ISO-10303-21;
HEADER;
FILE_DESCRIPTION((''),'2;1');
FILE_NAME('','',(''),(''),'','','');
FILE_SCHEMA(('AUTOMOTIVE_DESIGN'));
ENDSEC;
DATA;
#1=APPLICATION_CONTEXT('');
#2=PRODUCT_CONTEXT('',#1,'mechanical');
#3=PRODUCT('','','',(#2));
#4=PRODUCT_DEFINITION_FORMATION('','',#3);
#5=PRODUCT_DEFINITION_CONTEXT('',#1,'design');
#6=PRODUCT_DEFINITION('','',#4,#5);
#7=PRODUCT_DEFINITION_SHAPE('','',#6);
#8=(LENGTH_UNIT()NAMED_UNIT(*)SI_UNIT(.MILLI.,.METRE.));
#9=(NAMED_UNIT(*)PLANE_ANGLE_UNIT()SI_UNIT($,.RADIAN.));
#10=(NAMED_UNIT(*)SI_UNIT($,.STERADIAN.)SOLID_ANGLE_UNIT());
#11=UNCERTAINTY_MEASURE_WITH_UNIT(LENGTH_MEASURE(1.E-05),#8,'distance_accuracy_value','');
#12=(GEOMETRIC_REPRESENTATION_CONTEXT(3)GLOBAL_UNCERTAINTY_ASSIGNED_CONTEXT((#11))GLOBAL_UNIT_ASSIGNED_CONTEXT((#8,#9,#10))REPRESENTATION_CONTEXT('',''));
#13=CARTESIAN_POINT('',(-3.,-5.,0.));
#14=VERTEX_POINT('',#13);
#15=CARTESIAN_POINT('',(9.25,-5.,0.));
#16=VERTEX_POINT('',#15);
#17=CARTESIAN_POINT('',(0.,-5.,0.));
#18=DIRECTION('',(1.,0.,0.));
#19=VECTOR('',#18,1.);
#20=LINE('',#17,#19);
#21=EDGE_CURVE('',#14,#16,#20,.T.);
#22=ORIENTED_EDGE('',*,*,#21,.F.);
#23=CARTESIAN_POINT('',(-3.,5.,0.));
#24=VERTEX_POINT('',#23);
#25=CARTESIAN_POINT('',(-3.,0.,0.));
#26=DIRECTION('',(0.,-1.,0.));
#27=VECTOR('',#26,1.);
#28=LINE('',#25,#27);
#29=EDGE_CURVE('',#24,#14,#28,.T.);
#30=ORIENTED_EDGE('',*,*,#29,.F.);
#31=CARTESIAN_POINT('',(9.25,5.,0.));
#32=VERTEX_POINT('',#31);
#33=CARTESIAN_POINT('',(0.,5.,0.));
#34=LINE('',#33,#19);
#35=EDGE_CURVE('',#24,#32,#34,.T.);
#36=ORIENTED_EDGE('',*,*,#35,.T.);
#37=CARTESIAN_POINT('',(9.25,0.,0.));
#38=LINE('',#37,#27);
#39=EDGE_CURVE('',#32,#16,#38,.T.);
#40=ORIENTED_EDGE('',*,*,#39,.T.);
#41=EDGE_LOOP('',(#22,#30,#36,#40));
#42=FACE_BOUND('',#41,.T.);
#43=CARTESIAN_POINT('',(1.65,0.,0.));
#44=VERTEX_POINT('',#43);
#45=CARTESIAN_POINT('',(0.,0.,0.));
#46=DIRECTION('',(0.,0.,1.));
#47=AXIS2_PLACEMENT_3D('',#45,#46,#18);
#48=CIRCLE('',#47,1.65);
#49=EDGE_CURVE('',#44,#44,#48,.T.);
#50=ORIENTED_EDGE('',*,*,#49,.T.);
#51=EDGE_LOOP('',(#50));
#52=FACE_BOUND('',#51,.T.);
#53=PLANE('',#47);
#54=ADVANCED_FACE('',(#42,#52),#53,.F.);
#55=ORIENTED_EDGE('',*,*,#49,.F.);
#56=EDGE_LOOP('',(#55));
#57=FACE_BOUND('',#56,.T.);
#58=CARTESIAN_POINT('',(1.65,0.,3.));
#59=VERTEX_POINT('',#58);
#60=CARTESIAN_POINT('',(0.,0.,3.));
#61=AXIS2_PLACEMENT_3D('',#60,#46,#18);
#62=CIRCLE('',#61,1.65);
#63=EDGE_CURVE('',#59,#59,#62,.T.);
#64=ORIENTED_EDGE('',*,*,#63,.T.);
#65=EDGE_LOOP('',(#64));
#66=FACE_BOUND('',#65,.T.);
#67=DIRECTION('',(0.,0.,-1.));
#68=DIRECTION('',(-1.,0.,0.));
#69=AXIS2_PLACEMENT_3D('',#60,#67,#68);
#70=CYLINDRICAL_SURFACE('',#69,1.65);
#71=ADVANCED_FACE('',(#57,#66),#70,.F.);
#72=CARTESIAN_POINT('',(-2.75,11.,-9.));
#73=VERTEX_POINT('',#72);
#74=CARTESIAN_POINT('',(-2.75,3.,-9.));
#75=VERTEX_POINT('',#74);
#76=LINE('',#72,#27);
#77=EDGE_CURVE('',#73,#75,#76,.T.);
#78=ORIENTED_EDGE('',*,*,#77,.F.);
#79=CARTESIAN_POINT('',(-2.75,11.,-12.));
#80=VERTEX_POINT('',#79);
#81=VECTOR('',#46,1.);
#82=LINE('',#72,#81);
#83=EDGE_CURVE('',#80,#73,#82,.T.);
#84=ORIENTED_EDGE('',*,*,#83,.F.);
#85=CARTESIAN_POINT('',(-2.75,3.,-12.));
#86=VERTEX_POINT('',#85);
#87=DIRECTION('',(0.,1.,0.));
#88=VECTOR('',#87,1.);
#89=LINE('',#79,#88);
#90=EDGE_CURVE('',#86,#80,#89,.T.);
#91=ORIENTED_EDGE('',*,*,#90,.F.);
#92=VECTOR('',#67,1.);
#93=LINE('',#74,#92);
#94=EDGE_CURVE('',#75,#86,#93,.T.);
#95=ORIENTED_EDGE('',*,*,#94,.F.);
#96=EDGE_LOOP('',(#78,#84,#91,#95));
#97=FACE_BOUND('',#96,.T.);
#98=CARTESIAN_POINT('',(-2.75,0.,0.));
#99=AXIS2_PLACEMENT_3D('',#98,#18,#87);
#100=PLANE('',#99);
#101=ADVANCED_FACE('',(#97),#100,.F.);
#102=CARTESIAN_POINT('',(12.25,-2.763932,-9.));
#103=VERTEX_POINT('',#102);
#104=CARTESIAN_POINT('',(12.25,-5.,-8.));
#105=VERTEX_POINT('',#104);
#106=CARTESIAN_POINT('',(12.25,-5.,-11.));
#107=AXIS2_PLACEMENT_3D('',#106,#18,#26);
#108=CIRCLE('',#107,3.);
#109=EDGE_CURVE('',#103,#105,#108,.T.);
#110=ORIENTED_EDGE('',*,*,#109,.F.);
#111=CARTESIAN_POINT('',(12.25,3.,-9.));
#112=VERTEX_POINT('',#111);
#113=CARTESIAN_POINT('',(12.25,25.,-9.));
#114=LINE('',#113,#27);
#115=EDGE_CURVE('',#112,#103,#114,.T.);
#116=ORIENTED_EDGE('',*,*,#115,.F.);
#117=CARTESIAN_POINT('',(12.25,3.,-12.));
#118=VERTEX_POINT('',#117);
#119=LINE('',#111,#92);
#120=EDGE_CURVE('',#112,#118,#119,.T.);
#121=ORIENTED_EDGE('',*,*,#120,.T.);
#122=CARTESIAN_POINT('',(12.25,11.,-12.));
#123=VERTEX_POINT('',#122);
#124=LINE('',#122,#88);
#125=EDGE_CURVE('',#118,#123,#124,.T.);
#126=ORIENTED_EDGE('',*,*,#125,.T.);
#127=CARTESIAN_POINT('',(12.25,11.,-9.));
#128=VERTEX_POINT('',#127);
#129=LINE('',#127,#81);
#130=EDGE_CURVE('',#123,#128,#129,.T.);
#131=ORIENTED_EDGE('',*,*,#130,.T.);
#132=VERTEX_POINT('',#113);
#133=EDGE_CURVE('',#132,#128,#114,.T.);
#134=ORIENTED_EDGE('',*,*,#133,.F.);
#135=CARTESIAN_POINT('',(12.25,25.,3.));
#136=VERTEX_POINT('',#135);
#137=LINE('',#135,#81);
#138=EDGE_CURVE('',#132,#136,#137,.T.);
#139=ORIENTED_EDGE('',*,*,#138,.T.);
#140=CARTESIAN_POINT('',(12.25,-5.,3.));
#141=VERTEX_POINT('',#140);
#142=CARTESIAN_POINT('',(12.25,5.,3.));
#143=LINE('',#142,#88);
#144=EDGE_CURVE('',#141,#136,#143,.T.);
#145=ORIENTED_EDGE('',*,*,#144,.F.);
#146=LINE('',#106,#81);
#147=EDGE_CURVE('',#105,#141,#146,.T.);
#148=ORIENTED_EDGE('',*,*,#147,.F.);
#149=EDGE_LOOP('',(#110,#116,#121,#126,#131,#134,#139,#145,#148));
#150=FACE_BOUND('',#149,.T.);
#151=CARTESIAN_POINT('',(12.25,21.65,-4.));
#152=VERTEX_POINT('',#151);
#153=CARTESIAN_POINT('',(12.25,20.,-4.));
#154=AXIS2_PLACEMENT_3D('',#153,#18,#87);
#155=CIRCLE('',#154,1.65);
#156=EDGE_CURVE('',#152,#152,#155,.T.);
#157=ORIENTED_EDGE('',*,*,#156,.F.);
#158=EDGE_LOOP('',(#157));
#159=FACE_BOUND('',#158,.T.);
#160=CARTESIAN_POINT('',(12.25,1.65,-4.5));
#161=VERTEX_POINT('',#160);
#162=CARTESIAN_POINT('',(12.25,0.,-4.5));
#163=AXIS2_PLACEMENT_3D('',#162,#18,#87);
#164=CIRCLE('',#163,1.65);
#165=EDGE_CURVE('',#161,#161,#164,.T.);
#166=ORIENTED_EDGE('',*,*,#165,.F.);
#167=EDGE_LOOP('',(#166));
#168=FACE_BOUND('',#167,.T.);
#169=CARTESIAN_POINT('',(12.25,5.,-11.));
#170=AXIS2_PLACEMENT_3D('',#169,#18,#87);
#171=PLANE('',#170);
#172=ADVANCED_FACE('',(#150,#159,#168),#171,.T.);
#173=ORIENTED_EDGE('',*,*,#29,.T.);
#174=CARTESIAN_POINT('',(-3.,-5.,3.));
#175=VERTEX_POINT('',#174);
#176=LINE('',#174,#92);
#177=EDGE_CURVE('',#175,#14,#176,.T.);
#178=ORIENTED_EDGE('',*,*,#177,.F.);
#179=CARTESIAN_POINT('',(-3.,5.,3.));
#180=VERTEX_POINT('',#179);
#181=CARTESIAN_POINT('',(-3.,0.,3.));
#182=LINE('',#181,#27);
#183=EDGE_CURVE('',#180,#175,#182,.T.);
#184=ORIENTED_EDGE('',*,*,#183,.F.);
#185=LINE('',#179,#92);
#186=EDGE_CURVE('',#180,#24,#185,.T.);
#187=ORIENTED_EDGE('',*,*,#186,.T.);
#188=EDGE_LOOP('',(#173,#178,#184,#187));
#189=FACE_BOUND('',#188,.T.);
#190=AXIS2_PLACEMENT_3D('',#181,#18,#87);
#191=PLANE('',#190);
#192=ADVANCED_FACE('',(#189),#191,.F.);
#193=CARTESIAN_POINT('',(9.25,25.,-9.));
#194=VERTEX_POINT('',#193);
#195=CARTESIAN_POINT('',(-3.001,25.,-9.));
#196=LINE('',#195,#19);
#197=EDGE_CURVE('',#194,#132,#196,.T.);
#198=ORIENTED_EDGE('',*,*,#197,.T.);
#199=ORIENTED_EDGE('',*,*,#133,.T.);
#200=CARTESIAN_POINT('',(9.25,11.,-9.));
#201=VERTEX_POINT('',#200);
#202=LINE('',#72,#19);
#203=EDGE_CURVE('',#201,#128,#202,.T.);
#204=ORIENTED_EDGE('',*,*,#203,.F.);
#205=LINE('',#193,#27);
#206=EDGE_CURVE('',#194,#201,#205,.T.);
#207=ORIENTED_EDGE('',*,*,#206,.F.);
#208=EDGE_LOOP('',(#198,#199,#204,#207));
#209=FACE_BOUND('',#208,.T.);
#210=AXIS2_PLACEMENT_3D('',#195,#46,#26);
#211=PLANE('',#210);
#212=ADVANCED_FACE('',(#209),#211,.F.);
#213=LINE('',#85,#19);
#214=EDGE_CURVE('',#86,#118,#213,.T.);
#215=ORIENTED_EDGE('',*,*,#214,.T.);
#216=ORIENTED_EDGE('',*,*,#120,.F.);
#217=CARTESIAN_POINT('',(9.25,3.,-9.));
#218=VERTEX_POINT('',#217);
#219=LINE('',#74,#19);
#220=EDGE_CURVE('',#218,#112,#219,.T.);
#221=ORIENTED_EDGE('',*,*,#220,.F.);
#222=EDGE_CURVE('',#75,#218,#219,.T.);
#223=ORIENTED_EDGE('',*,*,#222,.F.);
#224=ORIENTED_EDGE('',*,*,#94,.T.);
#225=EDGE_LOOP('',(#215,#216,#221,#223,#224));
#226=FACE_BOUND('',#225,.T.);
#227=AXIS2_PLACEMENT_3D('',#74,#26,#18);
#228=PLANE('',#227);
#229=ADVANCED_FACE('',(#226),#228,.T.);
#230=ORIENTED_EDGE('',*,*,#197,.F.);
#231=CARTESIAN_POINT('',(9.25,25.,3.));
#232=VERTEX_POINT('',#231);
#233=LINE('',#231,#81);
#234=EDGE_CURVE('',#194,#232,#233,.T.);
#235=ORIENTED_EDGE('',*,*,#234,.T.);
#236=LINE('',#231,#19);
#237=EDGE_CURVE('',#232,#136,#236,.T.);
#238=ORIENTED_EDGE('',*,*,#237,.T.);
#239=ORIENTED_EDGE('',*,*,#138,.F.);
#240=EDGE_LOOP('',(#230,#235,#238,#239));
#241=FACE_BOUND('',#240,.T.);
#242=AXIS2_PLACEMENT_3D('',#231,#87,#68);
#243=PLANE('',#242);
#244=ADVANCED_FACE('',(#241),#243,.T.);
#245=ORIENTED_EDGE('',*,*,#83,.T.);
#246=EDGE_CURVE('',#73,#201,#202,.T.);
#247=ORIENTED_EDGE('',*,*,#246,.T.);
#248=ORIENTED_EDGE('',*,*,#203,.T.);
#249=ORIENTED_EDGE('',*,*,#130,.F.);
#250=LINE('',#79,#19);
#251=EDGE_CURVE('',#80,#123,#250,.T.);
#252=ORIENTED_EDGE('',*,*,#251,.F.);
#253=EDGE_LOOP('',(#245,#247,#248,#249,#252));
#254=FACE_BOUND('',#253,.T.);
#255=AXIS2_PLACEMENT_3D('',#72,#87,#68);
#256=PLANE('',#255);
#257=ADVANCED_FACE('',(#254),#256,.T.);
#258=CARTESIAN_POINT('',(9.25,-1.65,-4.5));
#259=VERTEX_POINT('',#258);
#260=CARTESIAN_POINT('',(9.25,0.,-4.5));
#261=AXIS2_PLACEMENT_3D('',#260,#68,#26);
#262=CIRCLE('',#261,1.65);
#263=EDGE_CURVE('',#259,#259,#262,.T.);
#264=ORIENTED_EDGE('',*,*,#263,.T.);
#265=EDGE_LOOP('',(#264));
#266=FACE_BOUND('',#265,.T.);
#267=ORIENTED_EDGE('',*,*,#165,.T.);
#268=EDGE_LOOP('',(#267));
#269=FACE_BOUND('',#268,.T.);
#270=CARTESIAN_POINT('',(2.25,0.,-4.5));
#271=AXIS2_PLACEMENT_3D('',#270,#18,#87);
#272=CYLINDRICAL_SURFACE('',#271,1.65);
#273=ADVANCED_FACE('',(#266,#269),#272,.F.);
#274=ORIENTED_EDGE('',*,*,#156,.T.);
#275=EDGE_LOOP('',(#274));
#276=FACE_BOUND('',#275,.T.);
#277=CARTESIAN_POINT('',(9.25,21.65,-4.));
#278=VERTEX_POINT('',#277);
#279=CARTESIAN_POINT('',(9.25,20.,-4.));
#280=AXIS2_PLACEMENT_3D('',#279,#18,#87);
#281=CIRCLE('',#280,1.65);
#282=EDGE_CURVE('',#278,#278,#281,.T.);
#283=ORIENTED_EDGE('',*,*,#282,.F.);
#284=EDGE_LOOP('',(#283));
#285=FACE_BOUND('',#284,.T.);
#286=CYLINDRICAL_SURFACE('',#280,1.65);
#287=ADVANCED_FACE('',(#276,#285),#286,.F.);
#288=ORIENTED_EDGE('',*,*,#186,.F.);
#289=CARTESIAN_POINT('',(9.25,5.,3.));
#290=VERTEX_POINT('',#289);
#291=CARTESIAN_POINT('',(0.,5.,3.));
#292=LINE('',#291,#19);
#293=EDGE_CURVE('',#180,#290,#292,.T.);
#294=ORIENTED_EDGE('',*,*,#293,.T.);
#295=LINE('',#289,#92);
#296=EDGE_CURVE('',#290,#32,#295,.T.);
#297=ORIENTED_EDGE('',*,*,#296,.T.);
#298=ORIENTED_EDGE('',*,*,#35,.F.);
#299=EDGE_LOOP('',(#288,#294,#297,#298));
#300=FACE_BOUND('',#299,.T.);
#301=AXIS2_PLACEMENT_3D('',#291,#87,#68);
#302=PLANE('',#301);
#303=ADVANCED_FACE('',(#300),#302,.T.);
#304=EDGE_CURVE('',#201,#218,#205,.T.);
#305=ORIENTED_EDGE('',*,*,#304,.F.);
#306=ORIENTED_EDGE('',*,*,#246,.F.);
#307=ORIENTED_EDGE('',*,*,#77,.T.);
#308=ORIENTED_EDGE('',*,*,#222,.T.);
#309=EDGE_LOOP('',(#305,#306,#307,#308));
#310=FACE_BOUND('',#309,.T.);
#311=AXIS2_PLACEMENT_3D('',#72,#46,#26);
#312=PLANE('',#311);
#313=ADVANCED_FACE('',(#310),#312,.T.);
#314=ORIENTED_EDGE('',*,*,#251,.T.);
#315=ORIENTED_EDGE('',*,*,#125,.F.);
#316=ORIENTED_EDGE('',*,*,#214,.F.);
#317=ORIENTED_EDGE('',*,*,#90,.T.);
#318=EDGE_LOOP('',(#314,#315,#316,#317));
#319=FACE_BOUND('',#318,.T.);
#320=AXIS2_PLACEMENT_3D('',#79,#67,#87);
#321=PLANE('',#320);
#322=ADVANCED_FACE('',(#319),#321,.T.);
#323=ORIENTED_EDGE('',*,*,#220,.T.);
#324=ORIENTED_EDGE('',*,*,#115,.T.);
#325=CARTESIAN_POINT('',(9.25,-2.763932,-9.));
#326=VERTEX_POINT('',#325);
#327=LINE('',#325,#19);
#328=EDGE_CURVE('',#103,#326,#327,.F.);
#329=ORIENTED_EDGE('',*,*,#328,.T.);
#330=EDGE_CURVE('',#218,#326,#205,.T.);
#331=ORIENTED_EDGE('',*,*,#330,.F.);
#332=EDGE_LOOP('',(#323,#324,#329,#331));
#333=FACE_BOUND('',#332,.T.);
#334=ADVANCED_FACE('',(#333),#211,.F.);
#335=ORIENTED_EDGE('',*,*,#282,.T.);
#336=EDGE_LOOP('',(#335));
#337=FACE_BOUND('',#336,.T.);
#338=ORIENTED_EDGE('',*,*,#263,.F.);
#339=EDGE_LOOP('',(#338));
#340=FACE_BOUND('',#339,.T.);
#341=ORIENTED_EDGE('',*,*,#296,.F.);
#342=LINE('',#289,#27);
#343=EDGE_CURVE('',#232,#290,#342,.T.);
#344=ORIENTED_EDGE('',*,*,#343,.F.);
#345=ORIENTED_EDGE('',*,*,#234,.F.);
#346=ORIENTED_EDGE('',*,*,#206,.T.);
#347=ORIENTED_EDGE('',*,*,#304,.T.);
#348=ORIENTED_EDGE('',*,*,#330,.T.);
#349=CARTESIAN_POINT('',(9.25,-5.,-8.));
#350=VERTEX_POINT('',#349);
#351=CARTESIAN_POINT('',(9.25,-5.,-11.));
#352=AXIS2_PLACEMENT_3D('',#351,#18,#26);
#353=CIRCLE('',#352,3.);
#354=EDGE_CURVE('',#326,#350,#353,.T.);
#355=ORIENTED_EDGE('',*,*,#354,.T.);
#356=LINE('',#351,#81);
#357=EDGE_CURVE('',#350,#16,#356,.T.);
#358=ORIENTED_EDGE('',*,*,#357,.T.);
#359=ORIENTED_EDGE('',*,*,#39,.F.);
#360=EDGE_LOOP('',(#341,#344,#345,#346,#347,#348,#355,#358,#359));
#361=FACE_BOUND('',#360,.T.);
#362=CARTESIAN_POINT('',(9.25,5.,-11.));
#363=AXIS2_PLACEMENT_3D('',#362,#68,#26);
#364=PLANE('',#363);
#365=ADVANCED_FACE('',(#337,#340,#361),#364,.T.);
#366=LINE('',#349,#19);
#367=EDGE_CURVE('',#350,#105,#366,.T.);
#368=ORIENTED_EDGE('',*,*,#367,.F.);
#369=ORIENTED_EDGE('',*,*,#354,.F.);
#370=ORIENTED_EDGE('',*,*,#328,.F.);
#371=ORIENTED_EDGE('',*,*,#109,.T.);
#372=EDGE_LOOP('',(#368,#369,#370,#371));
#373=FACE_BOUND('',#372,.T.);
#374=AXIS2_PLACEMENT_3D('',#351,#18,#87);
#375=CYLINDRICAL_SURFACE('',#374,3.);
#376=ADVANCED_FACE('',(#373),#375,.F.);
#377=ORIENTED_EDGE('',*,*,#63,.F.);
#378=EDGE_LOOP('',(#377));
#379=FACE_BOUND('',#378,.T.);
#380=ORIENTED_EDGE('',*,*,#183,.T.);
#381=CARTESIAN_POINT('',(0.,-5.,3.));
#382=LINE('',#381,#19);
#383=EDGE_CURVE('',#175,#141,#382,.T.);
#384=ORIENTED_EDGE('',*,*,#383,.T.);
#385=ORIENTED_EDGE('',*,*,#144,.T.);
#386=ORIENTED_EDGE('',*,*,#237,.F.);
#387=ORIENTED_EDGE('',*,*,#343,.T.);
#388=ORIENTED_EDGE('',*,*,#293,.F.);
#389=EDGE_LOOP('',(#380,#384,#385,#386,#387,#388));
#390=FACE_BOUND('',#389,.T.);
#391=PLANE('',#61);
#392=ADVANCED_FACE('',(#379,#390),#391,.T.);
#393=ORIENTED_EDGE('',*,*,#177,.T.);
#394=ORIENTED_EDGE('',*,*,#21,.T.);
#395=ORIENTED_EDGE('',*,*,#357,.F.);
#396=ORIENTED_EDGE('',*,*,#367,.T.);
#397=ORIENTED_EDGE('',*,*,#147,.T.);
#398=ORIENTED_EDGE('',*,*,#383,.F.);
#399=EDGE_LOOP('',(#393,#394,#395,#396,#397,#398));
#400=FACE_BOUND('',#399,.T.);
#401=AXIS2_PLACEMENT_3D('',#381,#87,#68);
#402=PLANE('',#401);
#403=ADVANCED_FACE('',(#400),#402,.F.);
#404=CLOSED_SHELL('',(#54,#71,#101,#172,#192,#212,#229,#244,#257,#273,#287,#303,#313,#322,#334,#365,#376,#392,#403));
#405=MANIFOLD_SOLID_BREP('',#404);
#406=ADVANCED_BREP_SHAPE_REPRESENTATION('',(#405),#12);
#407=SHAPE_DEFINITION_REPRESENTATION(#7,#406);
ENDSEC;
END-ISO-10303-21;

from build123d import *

# Parameters (mm, degrees)
SKETCH_1_W          = 12.25
SKETCH_1_H          = 10
SKETCH_1_R          = 1.65
EXTRUDE_3_DEPTH     = 3
SKETCH_3_W          = 3
SKETCH_3_H          = 10
EXTRUDE_4_DEPTH     = 14
SKETCH_4_R          = 1.65
CUT_EXTRUDE_1_DEPTH = 10
SKETCH_6_W          = 14
SKETCH_6_H          = 20
SKETCH_6_R          = 1.65
EXTRUDE_5_DEPTH     = 3
CUT_EXTRUDE_2_DEPTH = 3
CUT_EXTRUDE_3_REACH = 33.282
SKETCH_8_W          = 2
SKETCH_8_H          = 27.763932023
SKETCH_9_W          = 3
SKETCH_9_H          = 8
EXTRUDE_6_DEPTH     = 15


with BuildPart() as part:
    # 草图1 → 凸台-拉伸3 (new body)
    with BuildSketch(Plane.XY):
        with Locations((3.125, 0)):
            Rectangle(SKETCH_1_W, SKETCH_1_H)
        Circle(SKETCH_1_R, mode=Mode.SUBTRACT)
    extrude(amount=EXTRUDE_3_DEPTH)

    # 草图3 → 凸台-拉伸4 (add)
    with BuildSketch(Plane.XY.offset(3)):
        with Locations((10.75, 0)):
            Rectangle(SKETCH_3_W, SKETCH_3_H)
    extrude(amount=-EXTRUDE_4_DEPTH)

    # 草图4 → 切除-拉伸1 (cut)
    with BuildSketch(Plane(origin=(12.25, 0, 0), x_dir=(0, 0, -1), z_dir=(1, 0, 0))):
        with Locations(Location((4.5, 0, 0), (0, 0, 90))):
            Circle(SKETCH_4_R)
    extrude(amount=-CUT_EXTRUDE_1_DEPTH, mode=Mode.SUBTRACT)

    # 草图6 → 凸台-拉伸5 (add)
    with BuildSketch(Plane(origin=(12.25, 0, 0), x_dir=(0, 0, -1), z_dir=(1, 0, 0))):
        with Locations((4, 15)):
            Rectangle(SKETCH_6_W, SKETCH_6_H)
        with Locations(Location((4, 20, 0), (0, 0, 90))):
            Circle(SKETCH_6_R, mode=Mode.SUBTRACT)
    extrude(amount=-EXTRUDE_5_DEPTH)

    # 草图7 → 切除-拉伸2 (cut)
    with BuildSketch(Plane(origin=(12.25, 0, 0), x_dir=(0, 0, -1), z_dir=(1, 0, 0))):
        with BuildLine():
            Line((8, -5), (11, -5))
            Line((11, -5), (11, -2))
            ThreePointArc((11, -2), (8.878679656, -2.878679656), (8, -5))
        make_face()
    extrude(amount=-CUT_EXTRUDE_2_DEPTH, mode=Mode.SUBTRACT)

    # 草图8 → 切除-拉伸3 (cut, up to next)
    with BuildSketch(Plane(origin=(12.25, 0, 0), x_dir=(0, 0, -1), z_dir=(1, 0, 0)), mode=Mode.PRIVATE) as cut_extrude_3_sk1:
        with Locations((10, 11.118033989)):
            Rectangle(SKETCH_8_W, SKETCH_8_H)
    cut_extrude_3_tool1 = extrude(cut_extrude_3_sk1.sketch, amount=-CUT_EXTRUDE_3_REACH, mode=Mode.PRIVATE) & part.part
    add(cut_extrude_3_tool1.solids().sort_by_distance((12.25, 11.118034, -10))[0], mode=Mode.SUBTRACT)

    # 草图9 → 凸台-拉伸6 (add)
    with BuildSketch(Plane(origin=(12.25, 0, 0), x_dir=(0, 0, -1), z_dir=(1, 0, 0))):
        with Locations((10.5, 7)):
            Rectangle(SKETCH_9_W, SKETCH_9_H)
    extrude(amount=-EXTRUDE_6_DEPTH)


solid = part.part
